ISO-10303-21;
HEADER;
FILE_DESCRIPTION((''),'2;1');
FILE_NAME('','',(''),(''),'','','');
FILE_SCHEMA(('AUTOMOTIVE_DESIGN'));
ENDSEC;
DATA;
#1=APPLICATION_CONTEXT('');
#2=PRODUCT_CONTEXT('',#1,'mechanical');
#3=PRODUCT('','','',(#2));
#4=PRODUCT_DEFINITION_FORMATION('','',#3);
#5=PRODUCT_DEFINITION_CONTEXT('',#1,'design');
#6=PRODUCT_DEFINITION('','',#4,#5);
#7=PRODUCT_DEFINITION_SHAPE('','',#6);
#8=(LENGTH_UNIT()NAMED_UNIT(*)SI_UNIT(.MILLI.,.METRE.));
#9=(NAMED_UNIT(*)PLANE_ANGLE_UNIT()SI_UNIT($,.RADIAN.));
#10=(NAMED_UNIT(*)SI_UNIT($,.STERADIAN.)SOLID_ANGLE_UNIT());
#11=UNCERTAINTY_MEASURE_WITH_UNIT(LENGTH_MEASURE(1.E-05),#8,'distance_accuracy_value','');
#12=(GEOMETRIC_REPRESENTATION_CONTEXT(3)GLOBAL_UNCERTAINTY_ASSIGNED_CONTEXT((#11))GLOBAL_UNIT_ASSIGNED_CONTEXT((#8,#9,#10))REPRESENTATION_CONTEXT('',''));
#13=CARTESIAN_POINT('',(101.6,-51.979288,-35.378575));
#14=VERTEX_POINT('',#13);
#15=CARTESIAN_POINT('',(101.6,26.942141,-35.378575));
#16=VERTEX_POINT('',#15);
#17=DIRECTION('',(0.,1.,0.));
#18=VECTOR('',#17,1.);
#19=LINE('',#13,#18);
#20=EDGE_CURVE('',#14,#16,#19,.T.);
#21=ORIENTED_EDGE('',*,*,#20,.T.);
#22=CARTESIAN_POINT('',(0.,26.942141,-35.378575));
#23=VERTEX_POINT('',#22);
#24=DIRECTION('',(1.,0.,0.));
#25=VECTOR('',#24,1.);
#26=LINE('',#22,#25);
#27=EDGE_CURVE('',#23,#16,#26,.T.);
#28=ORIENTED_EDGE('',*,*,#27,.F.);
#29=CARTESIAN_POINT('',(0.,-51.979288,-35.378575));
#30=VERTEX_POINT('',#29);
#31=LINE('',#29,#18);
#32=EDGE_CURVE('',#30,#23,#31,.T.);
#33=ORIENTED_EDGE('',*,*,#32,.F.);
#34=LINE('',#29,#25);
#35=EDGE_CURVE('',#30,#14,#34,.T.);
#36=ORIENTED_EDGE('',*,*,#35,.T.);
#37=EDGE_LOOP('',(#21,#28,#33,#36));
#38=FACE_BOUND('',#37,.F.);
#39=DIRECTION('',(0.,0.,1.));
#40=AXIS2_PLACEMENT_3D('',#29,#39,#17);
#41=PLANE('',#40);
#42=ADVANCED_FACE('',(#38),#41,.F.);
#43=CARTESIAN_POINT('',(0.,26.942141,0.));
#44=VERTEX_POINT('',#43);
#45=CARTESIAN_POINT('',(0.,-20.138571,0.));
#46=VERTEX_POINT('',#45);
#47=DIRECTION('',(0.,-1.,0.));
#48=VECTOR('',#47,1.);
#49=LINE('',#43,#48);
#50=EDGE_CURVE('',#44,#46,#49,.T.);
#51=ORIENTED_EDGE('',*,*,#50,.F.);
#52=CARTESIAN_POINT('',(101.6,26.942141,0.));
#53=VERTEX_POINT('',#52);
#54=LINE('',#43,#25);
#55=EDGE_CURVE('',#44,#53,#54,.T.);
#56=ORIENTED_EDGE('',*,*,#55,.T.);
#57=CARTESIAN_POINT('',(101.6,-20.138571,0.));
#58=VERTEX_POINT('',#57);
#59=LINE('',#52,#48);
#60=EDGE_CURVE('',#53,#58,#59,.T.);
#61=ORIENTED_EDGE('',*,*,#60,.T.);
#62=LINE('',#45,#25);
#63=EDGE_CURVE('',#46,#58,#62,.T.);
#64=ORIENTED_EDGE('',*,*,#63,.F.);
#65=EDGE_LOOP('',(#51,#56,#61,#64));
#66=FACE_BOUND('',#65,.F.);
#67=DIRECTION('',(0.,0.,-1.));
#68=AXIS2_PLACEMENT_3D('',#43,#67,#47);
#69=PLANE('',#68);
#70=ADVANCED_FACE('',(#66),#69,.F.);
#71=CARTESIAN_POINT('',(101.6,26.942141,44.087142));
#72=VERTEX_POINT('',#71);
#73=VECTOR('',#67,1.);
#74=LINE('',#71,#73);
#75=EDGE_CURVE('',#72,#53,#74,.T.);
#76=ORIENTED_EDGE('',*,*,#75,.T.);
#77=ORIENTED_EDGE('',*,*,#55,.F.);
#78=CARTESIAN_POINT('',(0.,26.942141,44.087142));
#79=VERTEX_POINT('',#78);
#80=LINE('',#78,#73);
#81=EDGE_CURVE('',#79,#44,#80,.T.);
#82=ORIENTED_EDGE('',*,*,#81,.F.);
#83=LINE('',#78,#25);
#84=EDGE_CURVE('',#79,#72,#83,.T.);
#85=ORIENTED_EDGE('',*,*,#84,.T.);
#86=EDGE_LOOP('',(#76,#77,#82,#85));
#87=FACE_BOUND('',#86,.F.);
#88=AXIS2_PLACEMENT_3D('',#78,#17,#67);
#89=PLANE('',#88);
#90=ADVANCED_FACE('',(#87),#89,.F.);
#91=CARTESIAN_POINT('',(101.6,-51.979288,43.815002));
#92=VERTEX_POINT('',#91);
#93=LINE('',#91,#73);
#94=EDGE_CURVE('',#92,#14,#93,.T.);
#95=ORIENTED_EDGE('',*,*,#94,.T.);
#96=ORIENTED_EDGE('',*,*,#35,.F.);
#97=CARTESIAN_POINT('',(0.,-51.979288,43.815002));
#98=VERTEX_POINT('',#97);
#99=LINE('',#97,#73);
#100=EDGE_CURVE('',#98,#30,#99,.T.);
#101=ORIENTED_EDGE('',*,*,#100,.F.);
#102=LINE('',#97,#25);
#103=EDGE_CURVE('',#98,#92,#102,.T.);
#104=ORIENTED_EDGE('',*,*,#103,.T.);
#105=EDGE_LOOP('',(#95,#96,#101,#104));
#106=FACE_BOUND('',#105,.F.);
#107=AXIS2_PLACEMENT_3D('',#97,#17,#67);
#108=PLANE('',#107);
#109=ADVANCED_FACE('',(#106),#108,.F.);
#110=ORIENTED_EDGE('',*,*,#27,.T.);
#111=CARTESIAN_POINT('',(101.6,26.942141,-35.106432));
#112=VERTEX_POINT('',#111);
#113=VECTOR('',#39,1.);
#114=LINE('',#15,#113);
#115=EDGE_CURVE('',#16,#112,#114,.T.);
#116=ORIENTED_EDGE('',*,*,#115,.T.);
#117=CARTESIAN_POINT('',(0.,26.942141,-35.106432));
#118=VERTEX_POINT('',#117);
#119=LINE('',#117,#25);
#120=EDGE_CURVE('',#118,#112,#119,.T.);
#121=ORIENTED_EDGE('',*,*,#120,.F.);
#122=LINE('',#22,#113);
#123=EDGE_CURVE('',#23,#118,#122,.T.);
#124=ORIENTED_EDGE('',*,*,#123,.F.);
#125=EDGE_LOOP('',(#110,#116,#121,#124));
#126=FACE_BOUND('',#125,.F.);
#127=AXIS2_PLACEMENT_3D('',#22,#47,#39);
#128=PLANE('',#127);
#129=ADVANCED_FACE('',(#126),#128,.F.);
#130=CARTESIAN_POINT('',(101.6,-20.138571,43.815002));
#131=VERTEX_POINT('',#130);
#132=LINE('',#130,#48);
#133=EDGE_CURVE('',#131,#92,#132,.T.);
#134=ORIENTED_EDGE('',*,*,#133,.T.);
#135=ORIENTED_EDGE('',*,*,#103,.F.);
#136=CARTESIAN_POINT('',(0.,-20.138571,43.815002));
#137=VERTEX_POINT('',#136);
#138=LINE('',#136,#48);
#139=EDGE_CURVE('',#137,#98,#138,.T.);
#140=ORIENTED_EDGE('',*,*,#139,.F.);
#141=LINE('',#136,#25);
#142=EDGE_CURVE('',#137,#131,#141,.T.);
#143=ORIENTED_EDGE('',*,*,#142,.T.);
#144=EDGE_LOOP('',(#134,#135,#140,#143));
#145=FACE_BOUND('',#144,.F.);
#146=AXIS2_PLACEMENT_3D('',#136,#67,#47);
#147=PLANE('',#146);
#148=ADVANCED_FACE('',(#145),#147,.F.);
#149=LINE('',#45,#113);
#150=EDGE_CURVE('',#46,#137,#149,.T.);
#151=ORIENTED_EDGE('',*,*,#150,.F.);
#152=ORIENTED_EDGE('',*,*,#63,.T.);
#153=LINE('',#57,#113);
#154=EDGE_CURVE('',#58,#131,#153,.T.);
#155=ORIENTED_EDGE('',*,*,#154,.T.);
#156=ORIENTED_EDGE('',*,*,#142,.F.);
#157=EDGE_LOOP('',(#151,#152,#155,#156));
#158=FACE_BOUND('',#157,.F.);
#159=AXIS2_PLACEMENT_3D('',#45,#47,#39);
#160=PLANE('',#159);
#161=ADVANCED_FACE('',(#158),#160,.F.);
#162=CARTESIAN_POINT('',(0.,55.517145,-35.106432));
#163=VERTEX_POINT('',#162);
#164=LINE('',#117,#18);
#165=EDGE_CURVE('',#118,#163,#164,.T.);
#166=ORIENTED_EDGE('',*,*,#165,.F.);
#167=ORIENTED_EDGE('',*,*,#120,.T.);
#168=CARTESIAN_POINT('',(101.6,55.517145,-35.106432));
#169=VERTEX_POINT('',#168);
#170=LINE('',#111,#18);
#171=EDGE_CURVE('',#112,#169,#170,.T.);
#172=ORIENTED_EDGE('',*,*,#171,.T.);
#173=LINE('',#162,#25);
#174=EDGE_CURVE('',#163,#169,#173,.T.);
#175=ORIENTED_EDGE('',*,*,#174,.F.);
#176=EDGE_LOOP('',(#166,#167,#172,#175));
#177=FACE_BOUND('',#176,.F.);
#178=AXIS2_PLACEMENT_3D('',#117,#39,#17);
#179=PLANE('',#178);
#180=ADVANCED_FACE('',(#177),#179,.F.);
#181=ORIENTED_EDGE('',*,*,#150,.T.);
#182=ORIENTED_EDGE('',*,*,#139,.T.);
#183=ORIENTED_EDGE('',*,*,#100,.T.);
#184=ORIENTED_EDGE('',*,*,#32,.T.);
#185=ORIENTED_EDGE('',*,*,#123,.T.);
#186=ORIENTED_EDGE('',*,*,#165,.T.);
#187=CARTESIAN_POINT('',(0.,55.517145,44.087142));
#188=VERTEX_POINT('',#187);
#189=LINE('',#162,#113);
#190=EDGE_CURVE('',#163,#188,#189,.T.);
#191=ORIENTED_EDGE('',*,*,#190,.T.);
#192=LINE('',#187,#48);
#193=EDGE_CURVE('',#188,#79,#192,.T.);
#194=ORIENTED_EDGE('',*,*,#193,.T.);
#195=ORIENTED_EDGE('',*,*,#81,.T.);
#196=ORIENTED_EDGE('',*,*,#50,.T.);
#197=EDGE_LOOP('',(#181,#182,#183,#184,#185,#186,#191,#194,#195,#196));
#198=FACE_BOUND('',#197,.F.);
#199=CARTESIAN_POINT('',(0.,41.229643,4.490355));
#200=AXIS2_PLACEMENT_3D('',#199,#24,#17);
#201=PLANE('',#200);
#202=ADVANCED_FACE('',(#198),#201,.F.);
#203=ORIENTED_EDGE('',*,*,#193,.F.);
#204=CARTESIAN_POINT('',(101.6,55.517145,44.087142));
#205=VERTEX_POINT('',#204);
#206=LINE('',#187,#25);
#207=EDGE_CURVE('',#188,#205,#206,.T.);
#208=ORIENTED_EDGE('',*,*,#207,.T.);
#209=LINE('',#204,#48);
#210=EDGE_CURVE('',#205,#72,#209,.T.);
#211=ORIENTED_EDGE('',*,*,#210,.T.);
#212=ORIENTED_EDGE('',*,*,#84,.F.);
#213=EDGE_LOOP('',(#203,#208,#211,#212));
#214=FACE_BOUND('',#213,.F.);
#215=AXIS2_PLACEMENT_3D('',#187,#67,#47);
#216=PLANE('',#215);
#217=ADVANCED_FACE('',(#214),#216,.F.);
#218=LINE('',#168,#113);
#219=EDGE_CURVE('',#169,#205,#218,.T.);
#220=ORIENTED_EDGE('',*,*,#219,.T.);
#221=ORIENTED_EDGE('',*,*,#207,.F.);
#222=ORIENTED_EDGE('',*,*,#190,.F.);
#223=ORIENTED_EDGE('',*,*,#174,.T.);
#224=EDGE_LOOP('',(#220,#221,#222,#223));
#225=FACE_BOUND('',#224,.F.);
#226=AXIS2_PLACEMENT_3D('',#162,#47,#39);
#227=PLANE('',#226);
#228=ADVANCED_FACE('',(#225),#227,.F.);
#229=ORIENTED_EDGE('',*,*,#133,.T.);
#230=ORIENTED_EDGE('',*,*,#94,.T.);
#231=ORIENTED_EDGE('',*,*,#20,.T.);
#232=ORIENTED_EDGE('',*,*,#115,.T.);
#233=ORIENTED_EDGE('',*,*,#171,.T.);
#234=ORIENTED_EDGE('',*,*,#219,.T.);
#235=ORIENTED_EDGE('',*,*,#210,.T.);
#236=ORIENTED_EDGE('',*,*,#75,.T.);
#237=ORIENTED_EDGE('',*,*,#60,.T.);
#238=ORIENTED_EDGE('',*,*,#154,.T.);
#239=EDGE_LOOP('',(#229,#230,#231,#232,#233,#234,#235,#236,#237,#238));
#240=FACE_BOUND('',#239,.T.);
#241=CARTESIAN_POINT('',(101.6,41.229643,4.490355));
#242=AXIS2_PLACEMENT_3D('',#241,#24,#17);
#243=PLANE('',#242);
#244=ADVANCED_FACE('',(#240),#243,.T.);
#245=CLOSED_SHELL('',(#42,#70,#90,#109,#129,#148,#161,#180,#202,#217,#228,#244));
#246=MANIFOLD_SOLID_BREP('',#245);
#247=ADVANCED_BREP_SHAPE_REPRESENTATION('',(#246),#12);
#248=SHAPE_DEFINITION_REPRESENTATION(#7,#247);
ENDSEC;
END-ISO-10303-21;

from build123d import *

# Parameters (mm, degrees)
F1_DEPTH = 101.6


with BuildPart() as f1:
    # F0 (on Right) → F1 (new body)
    with BuildSketch(Plane.YZ):
        Polygon((55.517145, -35.106432), (55.517145, 44.087142), (26.942141, 44.087142), (26.942141, 0), (26.942141, -35.106432), align=None)
        Polygon((26.942141, -35.106432), (26.942141, 0), (-20.138571, 0), (-20.138571, -35.378575), (26.942141, -35.378575), align=None)
        Polygon((-20.138571, -35.378575), (-20.138571, 0), (-20.138571, 43.815002), (-51.979288, 43.815002), (-51.979288, -35.378575), align=None)
    extrude(amount=F1_DEPTH)


solid = f1.part
